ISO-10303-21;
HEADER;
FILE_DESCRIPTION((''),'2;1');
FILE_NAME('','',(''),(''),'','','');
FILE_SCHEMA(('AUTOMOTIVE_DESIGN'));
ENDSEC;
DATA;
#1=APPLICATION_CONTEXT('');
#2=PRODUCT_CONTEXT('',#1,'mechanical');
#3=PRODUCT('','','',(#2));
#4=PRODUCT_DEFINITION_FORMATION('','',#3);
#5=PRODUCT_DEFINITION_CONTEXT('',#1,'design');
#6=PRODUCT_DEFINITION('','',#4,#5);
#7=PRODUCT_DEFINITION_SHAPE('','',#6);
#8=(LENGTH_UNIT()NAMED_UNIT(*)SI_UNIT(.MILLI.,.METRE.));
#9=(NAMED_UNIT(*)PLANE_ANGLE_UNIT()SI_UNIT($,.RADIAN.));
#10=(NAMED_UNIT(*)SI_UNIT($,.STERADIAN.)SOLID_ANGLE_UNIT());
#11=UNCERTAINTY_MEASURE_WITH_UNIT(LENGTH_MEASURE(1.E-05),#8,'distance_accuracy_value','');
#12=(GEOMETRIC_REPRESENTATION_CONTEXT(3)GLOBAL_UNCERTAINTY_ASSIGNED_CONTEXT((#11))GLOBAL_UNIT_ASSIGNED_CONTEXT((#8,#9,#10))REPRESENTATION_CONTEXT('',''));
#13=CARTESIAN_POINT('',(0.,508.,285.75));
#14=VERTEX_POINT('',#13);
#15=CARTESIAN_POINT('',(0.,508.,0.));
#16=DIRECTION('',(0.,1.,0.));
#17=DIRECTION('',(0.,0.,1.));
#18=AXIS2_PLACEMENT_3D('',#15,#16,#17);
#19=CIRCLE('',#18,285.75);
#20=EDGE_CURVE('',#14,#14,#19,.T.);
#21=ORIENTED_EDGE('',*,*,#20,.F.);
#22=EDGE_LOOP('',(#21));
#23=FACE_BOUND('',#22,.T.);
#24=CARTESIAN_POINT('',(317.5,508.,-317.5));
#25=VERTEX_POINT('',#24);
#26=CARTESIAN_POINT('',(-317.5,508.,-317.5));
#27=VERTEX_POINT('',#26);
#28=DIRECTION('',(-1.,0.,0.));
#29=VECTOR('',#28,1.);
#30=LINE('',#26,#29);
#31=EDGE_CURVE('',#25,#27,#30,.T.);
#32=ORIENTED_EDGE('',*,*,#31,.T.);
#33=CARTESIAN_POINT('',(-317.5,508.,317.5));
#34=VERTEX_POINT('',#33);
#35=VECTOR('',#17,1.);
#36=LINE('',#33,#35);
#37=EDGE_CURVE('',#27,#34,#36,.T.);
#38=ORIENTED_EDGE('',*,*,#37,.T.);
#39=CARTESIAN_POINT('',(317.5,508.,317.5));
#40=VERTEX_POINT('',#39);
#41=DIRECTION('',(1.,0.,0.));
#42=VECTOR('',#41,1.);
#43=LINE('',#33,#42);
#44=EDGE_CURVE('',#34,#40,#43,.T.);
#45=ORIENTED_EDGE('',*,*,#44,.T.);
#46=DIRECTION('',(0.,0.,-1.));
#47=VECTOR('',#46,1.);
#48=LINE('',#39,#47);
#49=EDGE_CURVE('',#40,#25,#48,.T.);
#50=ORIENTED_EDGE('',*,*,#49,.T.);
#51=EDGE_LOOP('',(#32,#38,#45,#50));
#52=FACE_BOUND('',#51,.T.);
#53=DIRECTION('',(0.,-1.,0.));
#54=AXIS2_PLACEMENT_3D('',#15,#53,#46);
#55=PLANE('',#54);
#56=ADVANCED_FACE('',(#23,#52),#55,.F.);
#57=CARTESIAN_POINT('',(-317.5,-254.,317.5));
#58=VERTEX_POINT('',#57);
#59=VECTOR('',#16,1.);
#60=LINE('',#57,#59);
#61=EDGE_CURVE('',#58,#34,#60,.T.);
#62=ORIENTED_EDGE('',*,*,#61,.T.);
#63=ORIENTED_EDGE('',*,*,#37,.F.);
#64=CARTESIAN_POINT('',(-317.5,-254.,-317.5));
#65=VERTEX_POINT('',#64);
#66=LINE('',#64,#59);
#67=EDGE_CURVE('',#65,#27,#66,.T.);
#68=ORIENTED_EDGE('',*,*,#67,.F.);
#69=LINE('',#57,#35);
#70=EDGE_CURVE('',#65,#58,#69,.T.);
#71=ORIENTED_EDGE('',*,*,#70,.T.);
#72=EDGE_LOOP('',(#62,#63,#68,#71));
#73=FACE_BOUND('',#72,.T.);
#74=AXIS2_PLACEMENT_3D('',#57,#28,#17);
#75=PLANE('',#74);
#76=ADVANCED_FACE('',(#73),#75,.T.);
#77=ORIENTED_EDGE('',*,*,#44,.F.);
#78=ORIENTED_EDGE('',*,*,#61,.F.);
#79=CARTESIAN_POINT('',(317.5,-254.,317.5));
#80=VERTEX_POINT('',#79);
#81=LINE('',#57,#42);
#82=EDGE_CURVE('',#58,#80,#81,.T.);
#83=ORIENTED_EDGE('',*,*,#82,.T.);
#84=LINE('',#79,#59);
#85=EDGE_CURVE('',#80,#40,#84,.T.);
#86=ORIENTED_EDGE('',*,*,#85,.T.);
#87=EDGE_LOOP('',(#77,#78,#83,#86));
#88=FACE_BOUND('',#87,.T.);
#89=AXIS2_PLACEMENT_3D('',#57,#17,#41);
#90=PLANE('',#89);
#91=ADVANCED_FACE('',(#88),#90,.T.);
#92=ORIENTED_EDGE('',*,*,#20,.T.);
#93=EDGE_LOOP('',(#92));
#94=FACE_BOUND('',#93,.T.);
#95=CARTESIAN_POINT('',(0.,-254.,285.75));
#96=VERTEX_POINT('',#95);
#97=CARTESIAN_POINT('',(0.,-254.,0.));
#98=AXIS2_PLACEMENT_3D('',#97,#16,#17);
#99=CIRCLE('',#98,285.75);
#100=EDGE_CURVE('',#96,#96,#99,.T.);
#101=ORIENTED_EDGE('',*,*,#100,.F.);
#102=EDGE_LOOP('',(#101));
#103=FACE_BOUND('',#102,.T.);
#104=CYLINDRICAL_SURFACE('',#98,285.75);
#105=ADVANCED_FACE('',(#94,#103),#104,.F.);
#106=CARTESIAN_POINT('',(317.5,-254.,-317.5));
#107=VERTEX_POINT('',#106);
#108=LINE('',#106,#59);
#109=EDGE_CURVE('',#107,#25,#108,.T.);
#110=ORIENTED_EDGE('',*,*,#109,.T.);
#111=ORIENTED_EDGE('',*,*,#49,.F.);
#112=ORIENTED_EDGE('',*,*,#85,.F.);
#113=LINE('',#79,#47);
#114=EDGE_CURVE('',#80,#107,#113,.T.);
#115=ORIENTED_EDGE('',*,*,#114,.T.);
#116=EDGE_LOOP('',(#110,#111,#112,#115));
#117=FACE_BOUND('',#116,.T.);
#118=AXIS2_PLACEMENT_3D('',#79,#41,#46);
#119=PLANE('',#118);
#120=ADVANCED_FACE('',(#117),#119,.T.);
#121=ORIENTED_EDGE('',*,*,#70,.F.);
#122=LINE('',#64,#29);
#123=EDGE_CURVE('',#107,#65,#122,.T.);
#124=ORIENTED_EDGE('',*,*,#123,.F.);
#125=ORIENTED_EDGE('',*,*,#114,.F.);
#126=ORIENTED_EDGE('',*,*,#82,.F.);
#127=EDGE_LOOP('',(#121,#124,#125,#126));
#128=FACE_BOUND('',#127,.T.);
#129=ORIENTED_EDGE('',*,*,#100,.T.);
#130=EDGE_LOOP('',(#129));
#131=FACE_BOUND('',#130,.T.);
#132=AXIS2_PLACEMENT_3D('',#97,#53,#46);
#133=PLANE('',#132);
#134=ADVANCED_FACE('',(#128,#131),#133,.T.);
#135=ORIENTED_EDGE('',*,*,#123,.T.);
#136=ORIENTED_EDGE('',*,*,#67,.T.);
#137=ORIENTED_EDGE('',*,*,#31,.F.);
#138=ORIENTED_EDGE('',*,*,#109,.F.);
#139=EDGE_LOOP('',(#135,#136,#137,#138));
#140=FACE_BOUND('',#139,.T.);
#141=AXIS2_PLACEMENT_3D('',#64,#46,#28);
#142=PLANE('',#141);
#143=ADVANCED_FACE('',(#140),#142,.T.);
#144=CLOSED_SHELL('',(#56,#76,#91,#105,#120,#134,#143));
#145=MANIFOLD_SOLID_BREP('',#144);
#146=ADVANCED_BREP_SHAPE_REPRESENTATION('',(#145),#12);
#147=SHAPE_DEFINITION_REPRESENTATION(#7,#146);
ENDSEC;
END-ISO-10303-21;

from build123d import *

# Parameters (mm, degrees)
BOSS_EXTRUDE1_DEPTH      = 508
BOSS_EXTRUDE1_DEPTH_BACK = 254
SKETCH1_W                = 635
SKETCH1_H                = 635
SKETCH1_R                = 285.75


with BuildPart() as part:
    # Sketch1 → Boss-Extrude1 (new, two sides: drawn at the far end of the back side and taken through both)
    with BuildSketch(Plane(origin=(0, 0, 0), x_dir=(1, 0, 0), z_dir=(0, 1, 0)).offset(-BOSS_EXTRUDE1_DEPTH_BACK)):
        Rectangle(SKETCH1_W, SKETCH1_H)
        Circle(SKETCH1_R, mode=Mode.SUBTRACT)
    extrude(amount=BOSS_EXTRUDE1_DEPTH + BOSS_EXTRUDE1_DEPTH_BACK)


solid = part.part
